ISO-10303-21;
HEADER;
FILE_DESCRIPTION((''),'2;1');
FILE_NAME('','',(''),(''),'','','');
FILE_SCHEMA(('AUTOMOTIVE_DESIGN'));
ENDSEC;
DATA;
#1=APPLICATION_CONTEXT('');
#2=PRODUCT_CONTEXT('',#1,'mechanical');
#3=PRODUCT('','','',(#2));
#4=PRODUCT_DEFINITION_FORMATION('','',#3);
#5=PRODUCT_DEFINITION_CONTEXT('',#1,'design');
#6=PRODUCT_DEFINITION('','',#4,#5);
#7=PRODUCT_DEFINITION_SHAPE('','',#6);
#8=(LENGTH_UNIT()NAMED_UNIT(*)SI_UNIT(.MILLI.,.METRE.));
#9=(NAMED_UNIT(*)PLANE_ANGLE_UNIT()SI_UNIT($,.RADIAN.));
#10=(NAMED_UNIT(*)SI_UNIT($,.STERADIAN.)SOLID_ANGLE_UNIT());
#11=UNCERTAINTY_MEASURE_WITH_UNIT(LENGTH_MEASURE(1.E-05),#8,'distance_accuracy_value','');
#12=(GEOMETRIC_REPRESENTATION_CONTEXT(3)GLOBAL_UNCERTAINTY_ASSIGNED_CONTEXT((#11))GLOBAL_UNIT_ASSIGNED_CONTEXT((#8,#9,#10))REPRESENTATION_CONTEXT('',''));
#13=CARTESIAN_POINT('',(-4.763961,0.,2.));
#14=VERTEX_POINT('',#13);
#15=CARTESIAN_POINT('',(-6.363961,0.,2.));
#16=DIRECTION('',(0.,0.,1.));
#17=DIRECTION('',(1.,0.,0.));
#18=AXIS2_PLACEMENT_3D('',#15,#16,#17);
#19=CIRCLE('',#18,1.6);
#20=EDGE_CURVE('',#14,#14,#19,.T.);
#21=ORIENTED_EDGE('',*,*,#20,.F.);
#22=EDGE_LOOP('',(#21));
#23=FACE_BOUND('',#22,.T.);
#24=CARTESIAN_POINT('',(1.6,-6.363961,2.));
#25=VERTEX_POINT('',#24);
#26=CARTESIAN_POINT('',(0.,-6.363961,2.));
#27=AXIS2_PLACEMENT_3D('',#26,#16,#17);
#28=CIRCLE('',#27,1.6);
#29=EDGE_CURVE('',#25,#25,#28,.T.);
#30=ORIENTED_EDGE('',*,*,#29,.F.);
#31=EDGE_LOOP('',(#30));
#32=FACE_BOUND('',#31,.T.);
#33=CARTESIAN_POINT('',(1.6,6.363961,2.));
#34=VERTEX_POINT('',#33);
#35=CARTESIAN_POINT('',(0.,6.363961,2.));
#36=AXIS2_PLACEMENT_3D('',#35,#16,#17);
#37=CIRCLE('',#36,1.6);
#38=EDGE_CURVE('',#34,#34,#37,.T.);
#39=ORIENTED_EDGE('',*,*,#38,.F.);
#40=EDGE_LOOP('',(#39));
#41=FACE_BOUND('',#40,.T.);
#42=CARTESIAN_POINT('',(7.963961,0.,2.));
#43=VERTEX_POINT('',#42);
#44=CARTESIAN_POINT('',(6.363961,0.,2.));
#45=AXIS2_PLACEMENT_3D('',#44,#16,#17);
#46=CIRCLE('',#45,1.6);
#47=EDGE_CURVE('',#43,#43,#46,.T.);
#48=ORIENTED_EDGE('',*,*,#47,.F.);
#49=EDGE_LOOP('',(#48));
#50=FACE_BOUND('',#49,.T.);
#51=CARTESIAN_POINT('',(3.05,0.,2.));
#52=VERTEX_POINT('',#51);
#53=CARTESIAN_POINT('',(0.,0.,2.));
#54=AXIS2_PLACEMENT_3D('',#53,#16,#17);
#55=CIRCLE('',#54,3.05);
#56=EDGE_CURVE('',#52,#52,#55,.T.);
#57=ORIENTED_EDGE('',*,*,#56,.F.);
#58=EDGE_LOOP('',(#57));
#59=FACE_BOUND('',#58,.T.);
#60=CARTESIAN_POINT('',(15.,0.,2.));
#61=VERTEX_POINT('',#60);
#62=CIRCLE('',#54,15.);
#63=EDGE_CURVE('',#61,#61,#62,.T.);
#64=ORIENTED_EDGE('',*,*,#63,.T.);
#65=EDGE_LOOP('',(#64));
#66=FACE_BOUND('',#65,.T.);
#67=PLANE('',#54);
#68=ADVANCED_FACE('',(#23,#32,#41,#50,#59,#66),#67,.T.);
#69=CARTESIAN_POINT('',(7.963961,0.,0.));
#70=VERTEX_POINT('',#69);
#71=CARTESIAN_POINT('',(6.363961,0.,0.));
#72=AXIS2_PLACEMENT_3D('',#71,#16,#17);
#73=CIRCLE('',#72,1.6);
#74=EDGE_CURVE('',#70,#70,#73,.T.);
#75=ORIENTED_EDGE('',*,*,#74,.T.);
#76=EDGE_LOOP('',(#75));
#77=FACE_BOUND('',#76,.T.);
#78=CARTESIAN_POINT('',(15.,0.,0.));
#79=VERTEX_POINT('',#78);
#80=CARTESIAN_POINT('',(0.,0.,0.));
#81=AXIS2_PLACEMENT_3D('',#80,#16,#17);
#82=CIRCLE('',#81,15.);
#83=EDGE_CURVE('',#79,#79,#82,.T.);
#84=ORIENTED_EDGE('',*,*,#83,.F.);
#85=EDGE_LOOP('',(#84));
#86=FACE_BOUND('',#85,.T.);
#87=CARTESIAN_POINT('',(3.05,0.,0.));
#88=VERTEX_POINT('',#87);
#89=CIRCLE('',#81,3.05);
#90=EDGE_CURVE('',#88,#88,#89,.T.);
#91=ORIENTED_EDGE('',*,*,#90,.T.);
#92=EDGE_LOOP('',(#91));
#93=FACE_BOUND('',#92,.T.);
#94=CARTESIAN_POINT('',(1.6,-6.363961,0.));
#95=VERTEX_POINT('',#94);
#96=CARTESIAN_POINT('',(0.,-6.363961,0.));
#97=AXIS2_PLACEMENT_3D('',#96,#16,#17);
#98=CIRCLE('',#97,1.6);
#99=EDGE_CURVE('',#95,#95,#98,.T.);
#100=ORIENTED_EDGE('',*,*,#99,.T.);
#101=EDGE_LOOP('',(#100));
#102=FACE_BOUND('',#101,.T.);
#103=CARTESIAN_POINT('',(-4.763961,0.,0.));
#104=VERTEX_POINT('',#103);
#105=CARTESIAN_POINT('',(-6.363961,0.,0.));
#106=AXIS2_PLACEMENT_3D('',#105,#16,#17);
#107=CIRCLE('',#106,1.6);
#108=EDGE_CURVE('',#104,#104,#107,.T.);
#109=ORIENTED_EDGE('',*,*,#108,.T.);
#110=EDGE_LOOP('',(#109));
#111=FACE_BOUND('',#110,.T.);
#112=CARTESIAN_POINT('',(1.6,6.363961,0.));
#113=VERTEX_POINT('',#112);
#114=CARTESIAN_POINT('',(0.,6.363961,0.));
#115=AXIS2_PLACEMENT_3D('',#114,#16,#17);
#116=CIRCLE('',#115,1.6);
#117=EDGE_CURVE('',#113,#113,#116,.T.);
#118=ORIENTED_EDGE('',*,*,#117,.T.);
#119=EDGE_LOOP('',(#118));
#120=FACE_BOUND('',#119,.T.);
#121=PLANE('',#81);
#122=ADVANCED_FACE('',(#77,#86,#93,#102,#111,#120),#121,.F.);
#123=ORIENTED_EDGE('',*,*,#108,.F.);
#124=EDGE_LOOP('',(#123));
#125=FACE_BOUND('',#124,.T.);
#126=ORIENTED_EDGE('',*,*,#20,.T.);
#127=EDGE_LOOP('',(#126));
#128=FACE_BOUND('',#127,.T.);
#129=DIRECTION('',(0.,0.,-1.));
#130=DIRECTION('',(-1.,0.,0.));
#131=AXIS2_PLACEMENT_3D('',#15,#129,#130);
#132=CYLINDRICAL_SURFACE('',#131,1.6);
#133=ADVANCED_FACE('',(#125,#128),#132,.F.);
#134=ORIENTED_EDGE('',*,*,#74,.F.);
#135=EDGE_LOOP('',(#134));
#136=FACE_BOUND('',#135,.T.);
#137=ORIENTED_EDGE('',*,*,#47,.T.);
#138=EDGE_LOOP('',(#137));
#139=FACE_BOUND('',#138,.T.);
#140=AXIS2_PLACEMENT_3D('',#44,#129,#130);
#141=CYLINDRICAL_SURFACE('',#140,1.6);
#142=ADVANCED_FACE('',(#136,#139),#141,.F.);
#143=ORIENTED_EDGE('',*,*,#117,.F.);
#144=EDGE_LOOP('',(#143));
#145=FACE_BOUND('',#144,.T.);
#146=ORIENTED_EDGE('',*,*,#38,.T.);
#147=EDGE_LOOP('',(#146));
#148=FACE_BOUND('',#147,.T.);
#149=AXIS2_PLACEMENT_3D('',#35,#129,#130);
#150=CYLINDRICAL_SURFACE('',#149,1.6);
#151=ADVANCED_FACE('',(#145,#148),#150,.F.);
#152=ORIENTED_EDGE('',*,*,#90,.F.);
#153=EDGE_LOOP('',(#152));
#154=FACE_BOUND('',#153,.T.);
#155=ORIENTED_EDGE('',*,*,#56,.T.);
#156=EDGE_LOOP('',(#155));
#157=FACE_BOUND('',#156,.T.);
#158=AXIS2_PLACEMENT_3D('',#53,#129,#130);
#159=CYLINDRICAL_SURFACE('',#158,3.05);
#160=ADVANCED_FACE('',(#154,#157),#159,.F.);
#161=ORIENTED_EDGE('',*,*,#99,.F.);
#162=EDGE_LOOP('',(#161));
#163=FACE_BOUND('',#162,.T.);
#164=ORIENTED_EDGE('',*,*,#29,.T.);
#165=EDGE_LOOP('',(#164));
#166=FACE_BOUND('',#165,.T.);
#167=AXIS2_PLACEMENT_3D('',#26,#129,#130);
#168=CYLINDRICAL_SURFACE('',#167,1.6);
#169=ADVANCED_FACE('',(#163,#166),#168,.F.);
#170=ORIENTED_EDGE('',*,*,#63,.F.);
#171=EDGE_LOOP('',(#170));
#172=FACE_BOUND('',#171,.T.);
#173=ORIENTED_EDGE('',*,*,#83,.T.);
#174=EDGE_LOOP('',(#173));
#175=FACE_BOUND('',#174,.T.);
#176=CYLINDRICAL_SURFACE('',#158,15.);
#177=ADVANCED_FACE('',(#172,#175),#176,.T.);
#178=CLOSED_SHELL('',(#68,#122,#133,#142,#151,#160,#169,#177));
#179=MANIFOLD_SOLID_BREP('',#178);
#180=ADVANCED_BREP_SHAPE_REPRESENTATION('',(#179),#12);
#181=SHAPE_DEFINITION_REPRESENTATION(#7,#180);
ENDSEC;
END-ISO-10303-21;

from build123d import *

# Parameters (mm, degrees)
SKETCH_1_R      = 15
SKETCH_1_R_2    = 1.6
SKETCH_1_R_3    = 3.05
EXTRUDE_1_DEPTH = 2


with BuildPart() as part:
    # ｽｹｯﾁ1 → ﾎﾞｽ - 押し出し1 (new body)
    with BuildSketch(Plane.XY):
        Circle(SKETCH_1_R)
        with Locations((0, 6.363961031)):
            Circle(SKETCH_1_R_2, mode=Mode.SUBTRACT)
        with Locations((6.363961031, 0)):
            Circle(SKETCH_1_R_2, mode=Mode.SUBTRACT)
        with Locations((-6.363961031, 0)):
            Circle(SKETCH_1_R_2, mode=Mode.SUBTRACT)
        with Locations((0, -6.363961031)):
            Circle(SKETCH_1_R_2, mode=Mode.SUBTRACT)
        Circle(SKETCH_1_R_3, mode=Mode.SUBTRACT)
    extrude(amount=EXTRUDE_1_DEPTH)


solid = part.part
